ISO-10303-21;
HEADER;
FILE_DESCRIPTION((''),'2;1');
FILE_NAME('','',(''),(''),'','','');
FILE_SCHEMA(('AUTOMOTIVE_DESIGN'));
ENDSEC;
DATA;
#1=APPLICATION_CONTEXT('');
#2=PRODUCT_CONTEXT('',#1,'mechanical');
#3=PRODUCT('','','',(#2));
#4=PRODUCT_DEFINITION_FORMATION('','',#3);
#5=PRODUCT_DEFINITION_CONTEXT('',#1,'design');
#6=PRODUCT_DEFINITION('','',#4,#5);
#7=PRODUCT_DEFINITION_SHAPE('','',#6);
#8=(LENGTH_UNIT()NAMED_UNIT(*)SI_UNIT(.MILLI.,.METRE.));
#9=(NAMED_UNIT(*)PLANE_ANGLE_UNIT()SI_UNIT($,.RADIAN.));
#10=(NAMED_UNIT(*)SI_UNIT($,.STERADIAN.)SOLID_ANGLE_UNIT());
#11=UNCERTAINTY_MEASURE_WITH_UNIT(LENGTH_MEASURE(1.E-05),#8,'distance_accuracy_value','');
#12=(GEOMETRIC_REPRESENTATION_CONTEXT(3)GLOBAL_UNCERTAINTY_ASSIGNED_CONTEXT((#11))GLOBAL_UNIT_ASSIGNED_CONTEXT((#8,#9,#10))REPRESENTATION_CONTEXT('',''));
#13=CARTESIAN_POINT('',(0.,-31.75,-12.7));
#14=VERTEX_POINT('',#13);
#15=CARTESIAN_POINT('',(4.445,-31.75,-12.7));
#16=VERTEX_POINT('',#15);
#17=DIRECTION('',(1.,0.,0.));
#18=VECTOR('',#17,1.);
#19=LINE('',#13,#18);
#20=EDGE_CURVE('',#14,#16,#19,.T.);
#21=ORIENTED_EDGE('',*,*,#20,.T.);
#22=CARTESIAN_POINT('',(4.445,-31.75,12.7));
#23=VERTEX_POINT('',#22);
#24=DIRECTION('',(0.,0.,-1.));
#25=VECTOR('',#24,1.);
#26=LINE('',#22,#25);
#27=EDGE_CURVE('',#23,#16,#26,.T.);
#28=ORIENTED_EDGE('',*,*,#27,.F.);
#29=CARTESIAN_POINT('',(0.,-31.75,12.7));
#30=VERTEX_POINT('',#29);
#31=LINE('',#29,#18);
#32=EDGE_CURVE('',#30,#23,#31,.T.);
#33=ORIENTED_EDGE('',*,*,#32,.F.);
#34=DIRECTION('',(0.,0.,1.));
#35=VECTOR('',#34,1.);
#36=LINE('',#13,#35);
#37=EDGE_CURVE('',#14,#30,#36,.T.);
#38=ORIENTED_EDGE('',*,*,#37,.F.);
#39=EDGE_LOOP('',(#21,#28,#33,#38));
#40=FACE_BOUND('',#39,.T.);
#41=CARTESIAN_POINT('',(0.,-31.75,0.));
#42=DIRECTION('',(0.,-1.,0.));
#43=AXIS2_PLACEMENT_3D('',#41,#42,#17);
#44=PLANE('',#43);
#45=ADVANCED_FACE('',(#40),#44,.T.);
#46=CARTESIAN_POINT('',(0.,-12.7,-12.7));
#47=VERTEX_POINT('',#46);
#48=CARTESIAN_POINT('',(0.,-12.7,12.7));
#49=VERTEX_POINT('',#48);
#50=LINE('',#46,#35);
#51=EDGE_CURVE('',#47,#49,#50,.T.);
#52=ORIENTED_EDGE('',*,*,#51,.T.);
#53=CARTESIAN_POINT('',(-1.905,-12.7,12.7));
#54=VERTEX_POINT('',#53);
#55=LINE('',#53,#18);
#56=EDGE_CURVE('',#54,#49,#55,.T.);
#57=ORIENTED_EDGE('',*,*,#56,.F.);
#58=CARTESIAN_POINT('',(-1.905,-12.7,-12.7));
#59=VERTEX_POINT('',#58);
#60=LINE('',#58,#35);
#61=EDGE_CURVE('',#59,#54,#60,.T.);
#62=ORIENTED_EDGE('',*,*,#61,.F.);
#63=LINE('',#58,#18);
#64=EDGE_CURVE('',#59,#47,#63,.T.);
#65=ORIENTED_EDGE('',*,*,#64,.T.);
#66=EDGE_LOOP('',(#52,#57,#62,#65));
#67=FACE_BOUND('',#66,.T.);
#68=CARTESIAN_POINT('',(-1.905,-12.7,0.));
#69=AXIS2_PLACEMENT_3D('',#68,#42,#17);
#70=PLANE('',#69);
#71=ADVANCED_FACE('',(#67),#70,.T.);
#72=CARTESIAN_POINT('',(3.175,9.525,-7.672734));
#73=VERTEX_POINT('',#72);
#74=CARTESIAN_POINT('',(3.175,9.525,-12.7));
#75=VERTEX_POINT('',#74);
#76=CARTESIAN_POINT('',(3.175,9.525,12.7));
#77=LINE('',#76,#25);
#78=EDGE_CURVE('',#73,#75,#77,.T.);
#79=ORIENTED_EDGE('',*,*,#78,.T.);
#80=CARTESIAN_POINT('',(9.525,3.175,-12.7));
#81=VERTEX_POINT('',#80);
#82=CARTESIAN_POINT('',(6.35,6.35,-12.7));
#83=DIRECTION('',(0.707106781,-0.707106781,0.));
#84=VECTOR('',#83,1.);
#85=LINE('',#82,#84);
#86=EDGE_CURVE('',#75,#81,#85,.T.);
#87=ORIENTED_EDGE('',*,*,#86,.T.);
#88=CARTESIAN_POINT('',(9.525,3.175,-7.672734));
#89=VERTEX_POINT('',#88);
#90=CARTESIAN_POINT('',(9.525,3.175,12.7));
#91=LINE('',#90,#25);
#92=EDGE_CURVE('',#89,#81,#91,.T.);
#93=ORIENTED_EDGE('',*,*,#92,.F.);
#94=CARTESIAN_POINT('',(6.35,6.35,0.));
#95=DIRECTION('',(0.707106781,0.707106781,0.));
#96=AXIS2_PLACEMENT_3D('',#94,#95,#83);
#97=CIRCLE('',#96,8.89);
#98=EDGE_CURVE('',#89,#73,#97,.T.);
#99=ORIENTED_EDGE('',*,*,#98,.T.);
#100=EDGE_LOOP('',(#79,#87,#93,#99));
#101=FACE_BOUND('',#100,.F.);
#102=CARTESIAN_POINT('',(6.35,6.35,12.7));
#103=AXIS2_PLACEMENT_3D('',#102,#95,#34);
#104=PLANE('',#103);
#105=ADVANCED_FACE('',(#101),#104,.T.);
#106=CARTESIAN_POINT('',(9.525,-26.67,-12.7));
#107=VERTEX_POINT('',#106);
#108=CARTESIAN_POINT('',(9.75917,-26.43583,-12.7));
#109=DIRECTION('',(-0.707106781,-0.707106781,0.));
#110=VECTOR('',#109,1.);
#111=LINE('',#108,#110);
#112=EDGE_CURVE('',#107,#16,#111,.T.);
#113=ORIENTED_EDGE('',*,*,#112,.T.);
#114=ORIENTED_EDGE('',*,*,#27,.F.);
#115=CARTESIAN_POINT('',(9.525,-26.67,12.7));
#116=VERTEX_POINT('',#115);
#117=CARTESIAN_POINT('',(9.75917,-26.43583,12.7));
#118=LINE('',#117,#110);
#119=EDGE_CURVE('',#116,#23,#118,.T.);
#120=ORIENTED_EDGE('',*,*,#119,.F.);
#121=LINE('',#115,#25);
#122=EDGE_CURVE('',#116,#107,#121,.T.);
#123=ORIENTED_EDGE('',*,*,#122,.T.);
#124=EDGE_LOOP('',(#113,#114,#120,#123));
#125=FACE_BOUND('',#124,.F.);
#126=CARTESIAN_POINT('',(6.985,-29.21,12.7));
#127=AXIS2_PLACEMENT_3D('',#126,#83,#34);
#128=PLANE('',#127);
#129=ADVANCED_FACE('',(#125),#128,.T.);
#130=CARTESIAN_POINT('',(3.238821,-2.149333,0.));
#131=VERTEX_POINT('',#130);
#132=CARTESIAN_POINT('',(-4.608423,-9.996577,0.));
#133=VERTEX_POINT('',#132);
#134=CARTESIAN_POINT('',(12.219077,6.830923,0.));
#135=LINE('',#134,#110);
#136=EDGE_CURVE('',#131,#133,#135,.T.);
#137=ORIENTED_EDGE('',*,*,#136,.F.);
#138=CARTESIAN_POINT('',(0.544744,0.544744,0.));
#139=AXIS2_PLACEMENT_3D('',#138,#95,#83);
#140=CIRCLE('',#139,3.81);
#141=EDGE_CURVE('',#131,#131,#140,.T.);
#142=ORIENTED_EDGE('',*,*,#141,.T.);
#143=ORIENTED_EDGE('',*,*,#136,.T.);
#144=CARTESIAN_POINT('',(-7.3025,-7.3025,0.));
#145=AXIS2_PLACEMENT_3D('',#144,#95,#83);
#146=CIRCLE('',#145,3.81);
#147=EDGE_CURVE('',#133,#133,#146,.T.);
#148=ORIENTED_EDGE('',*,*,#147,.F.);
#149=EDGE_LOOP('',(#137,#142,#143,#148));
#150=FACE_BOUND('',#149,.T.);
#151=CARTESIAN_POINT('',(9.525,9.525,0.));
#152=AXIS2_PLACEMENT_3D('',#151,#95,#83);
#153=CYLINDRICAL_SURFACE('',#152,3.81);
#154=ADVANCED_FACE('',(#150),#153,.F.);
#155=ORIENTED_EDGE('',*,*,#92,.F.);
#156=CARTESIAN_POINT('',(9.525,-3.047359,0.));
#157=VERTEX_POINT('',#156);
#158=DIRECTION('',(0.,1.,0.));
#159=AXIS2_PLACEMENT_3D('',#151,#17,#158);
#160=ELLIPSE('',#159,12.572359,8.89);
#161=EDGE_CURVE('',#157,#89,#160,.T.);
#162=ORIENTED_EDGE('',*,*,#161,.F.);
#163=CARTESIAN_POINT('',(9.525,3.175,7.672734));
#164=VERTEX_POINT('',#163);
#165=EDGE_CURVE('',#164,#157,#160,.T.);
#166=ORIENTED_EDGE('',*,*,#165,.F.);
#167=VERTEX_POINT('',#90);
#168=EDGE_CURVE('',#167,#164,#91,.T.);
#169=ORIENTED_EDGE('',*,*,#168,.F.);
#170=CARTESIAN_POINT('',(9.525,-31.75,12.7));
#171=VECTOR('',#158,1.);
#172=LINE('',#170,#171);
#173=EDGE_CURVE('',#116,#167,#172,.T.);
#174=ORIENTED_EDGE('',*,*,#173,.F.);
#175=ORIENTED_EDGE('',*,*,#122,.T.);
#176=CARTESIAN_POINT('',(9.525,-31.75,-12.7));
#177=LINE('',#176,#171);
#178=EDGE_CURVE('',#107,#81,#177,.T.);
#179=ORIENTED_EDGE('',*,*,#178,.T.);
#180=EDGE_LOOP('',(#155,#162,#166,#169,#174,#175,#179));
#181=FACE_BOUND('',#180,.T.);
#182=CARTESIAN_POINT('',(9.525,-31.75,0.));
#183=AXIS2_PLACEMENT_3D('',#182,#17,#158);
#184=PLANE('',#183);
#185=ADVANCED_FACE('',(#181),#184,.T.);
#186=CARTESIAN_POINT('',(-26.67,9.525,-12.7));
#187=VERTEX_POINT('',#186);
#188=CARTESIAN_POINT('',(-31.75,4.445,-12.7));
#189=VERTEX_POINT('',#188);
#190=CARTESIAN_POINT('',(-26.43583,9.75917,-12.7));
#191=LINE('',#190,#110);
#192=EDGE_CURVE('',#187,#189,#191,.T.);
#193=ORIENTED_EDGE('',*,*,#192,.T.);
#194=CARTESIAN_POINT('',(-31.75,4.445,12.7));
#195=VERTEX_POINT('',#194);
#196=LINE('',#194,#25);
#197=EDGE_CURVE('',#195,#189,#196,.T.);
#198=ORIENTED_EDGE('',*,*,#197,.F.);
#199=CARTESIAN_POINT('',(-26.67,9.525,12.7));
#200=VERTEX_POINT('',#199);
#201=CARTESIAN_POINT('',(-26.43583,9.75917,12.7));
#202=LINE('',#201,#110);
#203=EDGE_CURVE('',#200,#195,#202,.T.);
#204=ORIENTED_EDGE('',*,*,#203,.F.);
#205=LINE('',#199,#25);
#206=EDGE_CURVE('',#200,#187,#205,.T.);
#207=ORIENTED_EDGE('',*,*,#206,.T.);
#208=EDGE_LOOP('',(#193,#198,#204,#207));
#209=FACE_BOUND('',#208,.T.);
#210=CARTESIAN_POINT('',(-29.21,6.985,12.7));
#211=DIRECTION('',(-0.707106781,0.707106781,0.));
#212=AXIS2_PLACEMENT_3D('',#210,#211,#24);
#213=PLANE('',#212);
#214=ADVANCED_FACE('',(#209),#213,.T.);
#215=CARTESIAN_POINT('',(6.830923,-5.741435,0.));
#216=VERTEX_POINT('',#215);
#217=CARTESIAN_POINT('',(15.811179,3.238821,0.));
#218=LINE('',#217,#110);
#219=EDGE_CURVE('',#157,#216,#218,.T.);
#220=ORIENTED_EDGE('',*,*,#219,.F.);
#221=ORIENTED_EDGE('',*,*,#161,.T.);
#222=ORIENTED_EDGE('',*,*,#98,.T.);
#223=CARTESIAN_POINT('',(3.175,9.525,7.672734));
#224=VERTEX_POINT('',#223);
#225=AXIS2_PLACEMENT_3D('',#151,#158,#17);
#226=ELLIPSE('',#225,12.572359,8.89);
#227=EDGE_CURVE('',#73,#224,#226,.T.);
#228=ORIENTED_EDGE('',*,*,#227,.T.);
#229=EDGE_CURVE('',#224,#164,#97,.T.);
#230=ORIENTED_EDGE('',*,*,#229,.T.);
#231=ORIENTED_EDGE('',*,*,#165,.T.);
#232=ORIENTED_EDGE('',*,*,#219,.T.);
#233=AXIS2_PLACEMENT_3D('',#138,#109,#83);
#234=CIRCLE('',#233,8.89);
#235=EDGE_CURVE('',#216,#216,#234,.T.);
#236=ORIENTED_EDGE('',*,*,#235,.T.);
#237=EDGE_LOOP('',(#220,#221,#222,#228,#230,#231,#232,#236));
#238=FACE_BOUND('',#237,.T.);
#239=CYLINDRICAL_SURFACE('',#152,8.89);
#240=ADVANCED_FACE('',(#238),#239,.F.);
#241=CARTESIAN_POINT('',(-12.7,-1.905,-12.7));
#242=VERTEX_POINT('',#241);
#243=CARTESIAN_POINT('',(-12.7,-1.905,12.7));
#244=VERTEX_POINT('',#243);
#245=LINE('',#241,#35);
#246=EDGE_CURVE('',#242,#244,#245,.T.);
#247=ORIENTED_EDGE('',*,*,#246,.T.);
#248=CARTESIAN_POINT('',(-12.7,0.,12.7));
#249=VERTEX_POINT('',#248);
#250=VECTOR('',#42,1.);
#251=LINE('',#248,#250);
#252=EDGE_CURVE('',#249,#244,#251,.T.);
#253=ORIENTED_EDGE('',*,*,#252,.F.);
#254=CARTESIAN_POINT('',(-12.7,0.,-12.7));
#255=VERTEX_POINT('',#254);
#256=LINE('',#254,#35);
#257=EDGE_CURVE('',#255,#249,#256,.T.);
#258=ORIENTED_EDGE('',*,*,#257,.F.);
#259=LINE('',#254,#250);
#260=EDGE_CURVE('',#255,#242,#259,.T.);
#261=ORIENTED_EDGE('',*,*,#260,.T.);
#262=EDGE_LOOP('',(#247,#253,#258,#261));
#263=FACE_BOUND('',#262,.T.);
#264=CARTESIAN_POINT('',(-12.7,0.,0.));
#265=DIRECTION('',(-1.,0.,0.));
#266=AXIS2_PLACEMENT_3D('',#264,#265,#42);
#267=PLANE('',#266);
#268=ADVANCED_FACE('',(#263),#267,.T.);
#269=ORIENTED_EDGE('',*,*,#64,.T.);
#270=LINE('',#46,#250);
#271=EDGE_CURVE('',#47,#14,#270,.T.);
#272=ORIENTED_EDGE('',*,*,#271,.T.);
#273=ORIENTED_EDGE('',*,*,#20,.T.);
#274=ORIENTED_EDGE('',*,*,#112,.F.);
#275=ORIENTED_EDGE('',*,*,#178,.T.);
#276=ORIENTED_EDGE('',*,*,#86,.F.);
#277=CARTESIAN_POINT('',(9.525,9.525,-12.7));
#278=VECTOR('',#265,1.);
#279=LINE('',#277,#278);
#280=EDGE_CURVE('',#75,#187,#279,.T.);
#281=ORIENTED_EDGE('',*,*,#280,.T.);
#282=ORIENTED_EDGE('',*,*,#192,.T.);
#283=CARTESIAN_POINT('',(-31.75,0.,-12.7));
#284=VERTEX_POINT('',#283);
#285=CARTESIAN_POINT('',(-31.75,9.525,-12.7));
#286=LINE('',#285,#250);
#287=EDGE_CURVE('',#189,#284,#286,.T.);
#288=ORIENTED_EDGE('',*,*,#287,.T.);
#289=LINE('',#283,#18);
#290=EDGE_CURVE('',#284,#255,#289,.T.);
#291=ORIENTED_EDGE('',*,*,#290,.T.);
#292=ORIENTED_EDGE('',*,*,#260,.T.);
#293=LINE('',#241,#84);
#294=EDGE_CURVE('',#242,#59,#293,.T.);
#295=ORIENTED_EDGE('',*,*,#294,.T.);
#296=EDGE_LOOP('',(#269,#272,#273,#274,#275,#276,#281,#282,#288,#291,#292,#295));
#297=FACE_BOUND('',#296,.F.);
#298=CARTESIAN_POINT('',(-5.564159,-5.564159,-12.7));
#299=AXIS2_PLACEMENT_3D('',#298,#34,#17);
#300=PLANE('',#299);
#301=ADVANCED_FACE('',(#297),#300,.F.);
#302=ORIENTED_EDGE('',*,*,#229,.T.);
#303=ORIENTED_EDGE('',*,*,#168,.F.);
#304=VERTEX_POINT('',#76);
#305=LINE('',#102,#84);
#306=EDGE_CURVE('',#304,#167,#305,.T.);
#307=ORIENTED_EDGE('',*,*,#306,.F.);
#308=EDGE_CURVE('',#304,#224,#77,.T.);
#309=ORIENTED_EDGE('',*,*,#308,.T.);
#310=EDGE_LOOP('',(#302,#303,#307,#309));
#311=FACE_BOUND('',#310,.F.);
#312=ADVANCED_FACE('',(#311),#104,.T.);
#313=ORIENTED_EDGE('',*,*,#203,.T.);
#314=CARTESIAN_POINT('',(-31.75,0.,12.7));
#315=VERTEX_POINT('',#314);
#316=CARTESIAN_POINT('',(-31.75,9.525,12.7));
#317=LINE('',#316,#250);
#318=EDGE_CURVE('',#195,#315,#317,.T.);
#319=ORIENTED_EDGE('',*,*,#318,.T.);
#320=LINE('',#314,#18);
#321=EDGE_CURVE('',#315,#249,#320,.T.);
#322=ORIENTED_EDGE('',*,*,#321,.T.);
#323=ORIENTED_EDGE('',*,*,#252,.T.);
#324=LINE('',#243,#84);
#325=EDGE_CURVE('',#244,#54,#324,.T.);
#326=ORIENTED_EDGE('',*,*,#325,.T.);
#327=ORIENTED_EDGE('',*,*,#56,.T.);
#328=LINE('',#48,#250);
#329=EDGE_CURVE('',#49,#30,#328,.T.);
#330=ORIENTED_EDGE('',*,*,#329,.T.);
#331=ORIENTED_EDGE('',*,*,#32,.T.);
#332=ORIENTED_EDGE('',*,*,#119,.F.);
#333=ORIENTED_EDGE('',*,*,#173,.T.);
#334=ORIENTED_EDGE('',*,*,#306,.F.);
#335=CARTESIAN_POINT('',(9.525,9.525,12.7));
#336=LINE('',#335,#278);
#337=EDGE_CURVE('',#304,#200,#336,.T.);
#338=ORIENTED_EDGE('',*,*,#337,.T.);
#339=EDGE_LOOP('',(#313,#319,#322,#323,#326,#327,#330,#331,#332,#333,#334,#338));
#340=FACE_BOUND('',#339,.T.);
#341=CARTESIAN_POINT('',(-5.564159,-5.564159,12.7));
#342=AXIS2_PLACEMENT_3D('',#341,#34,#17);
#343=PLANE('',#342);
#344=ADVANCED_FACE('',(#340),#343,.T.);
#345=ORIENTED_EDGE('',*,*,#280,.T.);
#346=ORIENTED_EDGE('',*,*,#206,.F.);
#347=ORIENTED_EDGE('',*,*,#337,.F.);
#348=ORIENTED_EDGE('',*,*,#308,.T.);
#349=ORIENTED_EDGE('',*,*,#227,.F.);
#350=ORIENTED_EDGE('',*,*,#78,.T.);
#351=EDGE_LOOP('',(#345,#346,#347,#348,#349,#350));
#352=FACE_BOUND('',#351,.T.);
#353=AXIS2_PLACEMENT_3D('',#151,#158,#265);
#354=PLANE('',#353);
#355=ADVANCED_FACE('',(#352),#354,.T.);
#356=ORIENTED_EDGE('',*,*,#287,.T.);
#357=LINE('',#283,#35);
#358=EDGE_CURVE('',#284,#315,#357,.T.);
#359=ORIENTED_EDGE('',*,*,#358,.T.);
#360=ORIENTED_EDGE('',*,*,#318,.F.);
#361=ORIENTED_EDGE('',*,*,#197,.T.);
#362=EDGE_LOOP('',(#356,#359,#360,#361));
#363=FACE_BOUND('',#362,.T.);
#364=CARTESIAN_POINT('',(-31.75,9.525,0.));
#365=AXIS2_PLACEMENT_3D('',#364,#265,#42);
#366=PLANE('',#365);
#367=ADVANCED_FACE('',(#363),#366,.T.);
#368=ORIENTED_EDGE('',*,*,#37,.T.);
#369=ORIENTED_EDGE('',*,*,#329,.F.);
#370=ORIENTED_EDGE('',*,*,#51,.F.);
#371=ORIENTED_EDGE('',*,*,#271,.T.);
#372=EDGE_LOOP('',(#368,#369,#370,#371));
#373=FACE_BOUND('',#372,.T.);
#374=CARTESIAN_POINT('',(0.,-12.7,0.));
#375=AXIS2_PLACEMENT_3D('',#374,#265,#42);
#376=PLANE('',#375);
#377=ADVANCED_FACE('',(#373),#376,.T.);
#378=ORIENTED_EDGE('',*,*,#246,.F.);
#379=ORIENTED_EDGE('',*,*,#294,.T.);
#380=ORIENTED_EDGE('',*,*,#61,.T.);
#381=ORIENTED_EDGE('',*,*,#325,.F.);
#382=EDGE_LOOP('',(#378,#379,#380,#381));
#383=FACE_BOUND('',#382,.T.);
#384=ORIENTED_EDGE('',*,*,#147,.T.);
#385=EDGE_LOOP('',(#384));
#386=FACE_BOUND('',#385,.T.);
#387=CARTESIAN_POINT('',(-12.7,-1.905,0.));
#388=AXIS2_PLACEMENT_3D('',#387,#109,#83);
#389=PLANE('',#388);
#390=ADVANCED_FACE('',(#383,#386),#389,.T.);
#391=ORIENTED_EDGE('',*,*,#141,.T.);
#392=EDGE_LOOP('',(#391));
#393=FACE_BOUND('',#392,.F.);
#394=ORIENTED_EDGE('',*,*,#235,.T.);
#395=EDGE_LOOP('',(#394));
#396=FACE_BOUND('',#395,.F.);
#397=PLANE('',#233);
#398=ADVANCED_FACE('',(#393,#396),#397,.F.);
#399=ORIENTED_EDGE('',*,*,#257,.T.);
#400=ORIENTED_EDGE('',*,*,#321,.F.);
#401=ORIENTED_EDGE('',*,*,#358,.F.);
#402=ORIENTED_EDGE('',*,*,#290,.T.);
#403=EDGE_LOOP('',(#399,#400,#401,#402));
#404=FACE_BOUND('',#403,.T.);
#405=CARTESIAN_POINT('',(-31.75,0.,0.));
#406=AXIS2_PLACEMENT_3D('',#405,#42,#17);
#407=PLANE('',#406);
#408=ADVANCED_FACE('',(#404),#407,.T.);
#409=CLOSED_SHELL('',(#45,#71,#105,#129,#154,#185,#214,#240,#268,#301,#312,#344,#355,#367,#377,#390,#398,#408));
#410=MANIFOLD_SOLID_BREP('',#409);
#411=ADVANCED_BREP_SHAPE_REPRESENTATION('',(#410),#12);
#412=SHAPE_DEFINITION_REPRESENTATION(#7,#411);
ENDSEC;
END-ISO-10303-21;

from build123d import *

# Parameters (mm, degrees)
F1_DEPTH = 12.7
F4_SIZE  = 6.35
F3_R     = 3.81
F5_DEPTH = 58.372665
F6_R     = 8.89
F7_DEPTH = 12.7
F8_SIZE  = 5.08


with BuildPart() as f1:
    # F0 (on Top) → F1 (new body, symmetric)
    with BuildSketch(Plane.XY):
        Polygon((-31.75, 9.525), (-31.75, 0), (-12.7, 0), (-12.7, -1.905), (-1.905, -12.7), (0, -12.7), (0, -31.75), (9.525, -31.75), (9.525, 9.525), align=None)
    extrude(amount=F1_DEPTH, both=True)

    # F4
    f4_edges = [f1.edges().sort_by_distance(p)[0] for p in [
        (9.525, 9.525, 0),
    ]]
    chamfer(f4_edges, length=F4_SIZE)

    # F3 (on face) → F5 (cut, through all)
    with BuildSketch(Plane(origin=(9.525, 9.525, 0), x_dir=(0.707107, -0.707107, 0), z_dir=(-0.707107, -0.707107, 0))):
        Circle(F3_R)
    extrude(amount=F5_DEPTH, mode=Mode.SUBTRACT)

    # F6 (on face) → F7 (cut)
    with BuildSketch(Plane(origin=(9.525, 9.525, 0), x_dir=(0.707107, -0.707107, 0), z_dir=(-0.707107, -0.707107, 0))):
        Circle(F6_R)
    extrude(amount=F7_DEPTH, mode=Mode.SUBTRACT)

    # F8
    f8_edges = [f1.edges().sort_by_distance(p)[0] for p in [
        (9.525, -31.75, 0),
        (-31.75, 9.525, 0),
    ]]
    chamfer(f8_edges, length=F8_SIZE)


solid = f1.part
